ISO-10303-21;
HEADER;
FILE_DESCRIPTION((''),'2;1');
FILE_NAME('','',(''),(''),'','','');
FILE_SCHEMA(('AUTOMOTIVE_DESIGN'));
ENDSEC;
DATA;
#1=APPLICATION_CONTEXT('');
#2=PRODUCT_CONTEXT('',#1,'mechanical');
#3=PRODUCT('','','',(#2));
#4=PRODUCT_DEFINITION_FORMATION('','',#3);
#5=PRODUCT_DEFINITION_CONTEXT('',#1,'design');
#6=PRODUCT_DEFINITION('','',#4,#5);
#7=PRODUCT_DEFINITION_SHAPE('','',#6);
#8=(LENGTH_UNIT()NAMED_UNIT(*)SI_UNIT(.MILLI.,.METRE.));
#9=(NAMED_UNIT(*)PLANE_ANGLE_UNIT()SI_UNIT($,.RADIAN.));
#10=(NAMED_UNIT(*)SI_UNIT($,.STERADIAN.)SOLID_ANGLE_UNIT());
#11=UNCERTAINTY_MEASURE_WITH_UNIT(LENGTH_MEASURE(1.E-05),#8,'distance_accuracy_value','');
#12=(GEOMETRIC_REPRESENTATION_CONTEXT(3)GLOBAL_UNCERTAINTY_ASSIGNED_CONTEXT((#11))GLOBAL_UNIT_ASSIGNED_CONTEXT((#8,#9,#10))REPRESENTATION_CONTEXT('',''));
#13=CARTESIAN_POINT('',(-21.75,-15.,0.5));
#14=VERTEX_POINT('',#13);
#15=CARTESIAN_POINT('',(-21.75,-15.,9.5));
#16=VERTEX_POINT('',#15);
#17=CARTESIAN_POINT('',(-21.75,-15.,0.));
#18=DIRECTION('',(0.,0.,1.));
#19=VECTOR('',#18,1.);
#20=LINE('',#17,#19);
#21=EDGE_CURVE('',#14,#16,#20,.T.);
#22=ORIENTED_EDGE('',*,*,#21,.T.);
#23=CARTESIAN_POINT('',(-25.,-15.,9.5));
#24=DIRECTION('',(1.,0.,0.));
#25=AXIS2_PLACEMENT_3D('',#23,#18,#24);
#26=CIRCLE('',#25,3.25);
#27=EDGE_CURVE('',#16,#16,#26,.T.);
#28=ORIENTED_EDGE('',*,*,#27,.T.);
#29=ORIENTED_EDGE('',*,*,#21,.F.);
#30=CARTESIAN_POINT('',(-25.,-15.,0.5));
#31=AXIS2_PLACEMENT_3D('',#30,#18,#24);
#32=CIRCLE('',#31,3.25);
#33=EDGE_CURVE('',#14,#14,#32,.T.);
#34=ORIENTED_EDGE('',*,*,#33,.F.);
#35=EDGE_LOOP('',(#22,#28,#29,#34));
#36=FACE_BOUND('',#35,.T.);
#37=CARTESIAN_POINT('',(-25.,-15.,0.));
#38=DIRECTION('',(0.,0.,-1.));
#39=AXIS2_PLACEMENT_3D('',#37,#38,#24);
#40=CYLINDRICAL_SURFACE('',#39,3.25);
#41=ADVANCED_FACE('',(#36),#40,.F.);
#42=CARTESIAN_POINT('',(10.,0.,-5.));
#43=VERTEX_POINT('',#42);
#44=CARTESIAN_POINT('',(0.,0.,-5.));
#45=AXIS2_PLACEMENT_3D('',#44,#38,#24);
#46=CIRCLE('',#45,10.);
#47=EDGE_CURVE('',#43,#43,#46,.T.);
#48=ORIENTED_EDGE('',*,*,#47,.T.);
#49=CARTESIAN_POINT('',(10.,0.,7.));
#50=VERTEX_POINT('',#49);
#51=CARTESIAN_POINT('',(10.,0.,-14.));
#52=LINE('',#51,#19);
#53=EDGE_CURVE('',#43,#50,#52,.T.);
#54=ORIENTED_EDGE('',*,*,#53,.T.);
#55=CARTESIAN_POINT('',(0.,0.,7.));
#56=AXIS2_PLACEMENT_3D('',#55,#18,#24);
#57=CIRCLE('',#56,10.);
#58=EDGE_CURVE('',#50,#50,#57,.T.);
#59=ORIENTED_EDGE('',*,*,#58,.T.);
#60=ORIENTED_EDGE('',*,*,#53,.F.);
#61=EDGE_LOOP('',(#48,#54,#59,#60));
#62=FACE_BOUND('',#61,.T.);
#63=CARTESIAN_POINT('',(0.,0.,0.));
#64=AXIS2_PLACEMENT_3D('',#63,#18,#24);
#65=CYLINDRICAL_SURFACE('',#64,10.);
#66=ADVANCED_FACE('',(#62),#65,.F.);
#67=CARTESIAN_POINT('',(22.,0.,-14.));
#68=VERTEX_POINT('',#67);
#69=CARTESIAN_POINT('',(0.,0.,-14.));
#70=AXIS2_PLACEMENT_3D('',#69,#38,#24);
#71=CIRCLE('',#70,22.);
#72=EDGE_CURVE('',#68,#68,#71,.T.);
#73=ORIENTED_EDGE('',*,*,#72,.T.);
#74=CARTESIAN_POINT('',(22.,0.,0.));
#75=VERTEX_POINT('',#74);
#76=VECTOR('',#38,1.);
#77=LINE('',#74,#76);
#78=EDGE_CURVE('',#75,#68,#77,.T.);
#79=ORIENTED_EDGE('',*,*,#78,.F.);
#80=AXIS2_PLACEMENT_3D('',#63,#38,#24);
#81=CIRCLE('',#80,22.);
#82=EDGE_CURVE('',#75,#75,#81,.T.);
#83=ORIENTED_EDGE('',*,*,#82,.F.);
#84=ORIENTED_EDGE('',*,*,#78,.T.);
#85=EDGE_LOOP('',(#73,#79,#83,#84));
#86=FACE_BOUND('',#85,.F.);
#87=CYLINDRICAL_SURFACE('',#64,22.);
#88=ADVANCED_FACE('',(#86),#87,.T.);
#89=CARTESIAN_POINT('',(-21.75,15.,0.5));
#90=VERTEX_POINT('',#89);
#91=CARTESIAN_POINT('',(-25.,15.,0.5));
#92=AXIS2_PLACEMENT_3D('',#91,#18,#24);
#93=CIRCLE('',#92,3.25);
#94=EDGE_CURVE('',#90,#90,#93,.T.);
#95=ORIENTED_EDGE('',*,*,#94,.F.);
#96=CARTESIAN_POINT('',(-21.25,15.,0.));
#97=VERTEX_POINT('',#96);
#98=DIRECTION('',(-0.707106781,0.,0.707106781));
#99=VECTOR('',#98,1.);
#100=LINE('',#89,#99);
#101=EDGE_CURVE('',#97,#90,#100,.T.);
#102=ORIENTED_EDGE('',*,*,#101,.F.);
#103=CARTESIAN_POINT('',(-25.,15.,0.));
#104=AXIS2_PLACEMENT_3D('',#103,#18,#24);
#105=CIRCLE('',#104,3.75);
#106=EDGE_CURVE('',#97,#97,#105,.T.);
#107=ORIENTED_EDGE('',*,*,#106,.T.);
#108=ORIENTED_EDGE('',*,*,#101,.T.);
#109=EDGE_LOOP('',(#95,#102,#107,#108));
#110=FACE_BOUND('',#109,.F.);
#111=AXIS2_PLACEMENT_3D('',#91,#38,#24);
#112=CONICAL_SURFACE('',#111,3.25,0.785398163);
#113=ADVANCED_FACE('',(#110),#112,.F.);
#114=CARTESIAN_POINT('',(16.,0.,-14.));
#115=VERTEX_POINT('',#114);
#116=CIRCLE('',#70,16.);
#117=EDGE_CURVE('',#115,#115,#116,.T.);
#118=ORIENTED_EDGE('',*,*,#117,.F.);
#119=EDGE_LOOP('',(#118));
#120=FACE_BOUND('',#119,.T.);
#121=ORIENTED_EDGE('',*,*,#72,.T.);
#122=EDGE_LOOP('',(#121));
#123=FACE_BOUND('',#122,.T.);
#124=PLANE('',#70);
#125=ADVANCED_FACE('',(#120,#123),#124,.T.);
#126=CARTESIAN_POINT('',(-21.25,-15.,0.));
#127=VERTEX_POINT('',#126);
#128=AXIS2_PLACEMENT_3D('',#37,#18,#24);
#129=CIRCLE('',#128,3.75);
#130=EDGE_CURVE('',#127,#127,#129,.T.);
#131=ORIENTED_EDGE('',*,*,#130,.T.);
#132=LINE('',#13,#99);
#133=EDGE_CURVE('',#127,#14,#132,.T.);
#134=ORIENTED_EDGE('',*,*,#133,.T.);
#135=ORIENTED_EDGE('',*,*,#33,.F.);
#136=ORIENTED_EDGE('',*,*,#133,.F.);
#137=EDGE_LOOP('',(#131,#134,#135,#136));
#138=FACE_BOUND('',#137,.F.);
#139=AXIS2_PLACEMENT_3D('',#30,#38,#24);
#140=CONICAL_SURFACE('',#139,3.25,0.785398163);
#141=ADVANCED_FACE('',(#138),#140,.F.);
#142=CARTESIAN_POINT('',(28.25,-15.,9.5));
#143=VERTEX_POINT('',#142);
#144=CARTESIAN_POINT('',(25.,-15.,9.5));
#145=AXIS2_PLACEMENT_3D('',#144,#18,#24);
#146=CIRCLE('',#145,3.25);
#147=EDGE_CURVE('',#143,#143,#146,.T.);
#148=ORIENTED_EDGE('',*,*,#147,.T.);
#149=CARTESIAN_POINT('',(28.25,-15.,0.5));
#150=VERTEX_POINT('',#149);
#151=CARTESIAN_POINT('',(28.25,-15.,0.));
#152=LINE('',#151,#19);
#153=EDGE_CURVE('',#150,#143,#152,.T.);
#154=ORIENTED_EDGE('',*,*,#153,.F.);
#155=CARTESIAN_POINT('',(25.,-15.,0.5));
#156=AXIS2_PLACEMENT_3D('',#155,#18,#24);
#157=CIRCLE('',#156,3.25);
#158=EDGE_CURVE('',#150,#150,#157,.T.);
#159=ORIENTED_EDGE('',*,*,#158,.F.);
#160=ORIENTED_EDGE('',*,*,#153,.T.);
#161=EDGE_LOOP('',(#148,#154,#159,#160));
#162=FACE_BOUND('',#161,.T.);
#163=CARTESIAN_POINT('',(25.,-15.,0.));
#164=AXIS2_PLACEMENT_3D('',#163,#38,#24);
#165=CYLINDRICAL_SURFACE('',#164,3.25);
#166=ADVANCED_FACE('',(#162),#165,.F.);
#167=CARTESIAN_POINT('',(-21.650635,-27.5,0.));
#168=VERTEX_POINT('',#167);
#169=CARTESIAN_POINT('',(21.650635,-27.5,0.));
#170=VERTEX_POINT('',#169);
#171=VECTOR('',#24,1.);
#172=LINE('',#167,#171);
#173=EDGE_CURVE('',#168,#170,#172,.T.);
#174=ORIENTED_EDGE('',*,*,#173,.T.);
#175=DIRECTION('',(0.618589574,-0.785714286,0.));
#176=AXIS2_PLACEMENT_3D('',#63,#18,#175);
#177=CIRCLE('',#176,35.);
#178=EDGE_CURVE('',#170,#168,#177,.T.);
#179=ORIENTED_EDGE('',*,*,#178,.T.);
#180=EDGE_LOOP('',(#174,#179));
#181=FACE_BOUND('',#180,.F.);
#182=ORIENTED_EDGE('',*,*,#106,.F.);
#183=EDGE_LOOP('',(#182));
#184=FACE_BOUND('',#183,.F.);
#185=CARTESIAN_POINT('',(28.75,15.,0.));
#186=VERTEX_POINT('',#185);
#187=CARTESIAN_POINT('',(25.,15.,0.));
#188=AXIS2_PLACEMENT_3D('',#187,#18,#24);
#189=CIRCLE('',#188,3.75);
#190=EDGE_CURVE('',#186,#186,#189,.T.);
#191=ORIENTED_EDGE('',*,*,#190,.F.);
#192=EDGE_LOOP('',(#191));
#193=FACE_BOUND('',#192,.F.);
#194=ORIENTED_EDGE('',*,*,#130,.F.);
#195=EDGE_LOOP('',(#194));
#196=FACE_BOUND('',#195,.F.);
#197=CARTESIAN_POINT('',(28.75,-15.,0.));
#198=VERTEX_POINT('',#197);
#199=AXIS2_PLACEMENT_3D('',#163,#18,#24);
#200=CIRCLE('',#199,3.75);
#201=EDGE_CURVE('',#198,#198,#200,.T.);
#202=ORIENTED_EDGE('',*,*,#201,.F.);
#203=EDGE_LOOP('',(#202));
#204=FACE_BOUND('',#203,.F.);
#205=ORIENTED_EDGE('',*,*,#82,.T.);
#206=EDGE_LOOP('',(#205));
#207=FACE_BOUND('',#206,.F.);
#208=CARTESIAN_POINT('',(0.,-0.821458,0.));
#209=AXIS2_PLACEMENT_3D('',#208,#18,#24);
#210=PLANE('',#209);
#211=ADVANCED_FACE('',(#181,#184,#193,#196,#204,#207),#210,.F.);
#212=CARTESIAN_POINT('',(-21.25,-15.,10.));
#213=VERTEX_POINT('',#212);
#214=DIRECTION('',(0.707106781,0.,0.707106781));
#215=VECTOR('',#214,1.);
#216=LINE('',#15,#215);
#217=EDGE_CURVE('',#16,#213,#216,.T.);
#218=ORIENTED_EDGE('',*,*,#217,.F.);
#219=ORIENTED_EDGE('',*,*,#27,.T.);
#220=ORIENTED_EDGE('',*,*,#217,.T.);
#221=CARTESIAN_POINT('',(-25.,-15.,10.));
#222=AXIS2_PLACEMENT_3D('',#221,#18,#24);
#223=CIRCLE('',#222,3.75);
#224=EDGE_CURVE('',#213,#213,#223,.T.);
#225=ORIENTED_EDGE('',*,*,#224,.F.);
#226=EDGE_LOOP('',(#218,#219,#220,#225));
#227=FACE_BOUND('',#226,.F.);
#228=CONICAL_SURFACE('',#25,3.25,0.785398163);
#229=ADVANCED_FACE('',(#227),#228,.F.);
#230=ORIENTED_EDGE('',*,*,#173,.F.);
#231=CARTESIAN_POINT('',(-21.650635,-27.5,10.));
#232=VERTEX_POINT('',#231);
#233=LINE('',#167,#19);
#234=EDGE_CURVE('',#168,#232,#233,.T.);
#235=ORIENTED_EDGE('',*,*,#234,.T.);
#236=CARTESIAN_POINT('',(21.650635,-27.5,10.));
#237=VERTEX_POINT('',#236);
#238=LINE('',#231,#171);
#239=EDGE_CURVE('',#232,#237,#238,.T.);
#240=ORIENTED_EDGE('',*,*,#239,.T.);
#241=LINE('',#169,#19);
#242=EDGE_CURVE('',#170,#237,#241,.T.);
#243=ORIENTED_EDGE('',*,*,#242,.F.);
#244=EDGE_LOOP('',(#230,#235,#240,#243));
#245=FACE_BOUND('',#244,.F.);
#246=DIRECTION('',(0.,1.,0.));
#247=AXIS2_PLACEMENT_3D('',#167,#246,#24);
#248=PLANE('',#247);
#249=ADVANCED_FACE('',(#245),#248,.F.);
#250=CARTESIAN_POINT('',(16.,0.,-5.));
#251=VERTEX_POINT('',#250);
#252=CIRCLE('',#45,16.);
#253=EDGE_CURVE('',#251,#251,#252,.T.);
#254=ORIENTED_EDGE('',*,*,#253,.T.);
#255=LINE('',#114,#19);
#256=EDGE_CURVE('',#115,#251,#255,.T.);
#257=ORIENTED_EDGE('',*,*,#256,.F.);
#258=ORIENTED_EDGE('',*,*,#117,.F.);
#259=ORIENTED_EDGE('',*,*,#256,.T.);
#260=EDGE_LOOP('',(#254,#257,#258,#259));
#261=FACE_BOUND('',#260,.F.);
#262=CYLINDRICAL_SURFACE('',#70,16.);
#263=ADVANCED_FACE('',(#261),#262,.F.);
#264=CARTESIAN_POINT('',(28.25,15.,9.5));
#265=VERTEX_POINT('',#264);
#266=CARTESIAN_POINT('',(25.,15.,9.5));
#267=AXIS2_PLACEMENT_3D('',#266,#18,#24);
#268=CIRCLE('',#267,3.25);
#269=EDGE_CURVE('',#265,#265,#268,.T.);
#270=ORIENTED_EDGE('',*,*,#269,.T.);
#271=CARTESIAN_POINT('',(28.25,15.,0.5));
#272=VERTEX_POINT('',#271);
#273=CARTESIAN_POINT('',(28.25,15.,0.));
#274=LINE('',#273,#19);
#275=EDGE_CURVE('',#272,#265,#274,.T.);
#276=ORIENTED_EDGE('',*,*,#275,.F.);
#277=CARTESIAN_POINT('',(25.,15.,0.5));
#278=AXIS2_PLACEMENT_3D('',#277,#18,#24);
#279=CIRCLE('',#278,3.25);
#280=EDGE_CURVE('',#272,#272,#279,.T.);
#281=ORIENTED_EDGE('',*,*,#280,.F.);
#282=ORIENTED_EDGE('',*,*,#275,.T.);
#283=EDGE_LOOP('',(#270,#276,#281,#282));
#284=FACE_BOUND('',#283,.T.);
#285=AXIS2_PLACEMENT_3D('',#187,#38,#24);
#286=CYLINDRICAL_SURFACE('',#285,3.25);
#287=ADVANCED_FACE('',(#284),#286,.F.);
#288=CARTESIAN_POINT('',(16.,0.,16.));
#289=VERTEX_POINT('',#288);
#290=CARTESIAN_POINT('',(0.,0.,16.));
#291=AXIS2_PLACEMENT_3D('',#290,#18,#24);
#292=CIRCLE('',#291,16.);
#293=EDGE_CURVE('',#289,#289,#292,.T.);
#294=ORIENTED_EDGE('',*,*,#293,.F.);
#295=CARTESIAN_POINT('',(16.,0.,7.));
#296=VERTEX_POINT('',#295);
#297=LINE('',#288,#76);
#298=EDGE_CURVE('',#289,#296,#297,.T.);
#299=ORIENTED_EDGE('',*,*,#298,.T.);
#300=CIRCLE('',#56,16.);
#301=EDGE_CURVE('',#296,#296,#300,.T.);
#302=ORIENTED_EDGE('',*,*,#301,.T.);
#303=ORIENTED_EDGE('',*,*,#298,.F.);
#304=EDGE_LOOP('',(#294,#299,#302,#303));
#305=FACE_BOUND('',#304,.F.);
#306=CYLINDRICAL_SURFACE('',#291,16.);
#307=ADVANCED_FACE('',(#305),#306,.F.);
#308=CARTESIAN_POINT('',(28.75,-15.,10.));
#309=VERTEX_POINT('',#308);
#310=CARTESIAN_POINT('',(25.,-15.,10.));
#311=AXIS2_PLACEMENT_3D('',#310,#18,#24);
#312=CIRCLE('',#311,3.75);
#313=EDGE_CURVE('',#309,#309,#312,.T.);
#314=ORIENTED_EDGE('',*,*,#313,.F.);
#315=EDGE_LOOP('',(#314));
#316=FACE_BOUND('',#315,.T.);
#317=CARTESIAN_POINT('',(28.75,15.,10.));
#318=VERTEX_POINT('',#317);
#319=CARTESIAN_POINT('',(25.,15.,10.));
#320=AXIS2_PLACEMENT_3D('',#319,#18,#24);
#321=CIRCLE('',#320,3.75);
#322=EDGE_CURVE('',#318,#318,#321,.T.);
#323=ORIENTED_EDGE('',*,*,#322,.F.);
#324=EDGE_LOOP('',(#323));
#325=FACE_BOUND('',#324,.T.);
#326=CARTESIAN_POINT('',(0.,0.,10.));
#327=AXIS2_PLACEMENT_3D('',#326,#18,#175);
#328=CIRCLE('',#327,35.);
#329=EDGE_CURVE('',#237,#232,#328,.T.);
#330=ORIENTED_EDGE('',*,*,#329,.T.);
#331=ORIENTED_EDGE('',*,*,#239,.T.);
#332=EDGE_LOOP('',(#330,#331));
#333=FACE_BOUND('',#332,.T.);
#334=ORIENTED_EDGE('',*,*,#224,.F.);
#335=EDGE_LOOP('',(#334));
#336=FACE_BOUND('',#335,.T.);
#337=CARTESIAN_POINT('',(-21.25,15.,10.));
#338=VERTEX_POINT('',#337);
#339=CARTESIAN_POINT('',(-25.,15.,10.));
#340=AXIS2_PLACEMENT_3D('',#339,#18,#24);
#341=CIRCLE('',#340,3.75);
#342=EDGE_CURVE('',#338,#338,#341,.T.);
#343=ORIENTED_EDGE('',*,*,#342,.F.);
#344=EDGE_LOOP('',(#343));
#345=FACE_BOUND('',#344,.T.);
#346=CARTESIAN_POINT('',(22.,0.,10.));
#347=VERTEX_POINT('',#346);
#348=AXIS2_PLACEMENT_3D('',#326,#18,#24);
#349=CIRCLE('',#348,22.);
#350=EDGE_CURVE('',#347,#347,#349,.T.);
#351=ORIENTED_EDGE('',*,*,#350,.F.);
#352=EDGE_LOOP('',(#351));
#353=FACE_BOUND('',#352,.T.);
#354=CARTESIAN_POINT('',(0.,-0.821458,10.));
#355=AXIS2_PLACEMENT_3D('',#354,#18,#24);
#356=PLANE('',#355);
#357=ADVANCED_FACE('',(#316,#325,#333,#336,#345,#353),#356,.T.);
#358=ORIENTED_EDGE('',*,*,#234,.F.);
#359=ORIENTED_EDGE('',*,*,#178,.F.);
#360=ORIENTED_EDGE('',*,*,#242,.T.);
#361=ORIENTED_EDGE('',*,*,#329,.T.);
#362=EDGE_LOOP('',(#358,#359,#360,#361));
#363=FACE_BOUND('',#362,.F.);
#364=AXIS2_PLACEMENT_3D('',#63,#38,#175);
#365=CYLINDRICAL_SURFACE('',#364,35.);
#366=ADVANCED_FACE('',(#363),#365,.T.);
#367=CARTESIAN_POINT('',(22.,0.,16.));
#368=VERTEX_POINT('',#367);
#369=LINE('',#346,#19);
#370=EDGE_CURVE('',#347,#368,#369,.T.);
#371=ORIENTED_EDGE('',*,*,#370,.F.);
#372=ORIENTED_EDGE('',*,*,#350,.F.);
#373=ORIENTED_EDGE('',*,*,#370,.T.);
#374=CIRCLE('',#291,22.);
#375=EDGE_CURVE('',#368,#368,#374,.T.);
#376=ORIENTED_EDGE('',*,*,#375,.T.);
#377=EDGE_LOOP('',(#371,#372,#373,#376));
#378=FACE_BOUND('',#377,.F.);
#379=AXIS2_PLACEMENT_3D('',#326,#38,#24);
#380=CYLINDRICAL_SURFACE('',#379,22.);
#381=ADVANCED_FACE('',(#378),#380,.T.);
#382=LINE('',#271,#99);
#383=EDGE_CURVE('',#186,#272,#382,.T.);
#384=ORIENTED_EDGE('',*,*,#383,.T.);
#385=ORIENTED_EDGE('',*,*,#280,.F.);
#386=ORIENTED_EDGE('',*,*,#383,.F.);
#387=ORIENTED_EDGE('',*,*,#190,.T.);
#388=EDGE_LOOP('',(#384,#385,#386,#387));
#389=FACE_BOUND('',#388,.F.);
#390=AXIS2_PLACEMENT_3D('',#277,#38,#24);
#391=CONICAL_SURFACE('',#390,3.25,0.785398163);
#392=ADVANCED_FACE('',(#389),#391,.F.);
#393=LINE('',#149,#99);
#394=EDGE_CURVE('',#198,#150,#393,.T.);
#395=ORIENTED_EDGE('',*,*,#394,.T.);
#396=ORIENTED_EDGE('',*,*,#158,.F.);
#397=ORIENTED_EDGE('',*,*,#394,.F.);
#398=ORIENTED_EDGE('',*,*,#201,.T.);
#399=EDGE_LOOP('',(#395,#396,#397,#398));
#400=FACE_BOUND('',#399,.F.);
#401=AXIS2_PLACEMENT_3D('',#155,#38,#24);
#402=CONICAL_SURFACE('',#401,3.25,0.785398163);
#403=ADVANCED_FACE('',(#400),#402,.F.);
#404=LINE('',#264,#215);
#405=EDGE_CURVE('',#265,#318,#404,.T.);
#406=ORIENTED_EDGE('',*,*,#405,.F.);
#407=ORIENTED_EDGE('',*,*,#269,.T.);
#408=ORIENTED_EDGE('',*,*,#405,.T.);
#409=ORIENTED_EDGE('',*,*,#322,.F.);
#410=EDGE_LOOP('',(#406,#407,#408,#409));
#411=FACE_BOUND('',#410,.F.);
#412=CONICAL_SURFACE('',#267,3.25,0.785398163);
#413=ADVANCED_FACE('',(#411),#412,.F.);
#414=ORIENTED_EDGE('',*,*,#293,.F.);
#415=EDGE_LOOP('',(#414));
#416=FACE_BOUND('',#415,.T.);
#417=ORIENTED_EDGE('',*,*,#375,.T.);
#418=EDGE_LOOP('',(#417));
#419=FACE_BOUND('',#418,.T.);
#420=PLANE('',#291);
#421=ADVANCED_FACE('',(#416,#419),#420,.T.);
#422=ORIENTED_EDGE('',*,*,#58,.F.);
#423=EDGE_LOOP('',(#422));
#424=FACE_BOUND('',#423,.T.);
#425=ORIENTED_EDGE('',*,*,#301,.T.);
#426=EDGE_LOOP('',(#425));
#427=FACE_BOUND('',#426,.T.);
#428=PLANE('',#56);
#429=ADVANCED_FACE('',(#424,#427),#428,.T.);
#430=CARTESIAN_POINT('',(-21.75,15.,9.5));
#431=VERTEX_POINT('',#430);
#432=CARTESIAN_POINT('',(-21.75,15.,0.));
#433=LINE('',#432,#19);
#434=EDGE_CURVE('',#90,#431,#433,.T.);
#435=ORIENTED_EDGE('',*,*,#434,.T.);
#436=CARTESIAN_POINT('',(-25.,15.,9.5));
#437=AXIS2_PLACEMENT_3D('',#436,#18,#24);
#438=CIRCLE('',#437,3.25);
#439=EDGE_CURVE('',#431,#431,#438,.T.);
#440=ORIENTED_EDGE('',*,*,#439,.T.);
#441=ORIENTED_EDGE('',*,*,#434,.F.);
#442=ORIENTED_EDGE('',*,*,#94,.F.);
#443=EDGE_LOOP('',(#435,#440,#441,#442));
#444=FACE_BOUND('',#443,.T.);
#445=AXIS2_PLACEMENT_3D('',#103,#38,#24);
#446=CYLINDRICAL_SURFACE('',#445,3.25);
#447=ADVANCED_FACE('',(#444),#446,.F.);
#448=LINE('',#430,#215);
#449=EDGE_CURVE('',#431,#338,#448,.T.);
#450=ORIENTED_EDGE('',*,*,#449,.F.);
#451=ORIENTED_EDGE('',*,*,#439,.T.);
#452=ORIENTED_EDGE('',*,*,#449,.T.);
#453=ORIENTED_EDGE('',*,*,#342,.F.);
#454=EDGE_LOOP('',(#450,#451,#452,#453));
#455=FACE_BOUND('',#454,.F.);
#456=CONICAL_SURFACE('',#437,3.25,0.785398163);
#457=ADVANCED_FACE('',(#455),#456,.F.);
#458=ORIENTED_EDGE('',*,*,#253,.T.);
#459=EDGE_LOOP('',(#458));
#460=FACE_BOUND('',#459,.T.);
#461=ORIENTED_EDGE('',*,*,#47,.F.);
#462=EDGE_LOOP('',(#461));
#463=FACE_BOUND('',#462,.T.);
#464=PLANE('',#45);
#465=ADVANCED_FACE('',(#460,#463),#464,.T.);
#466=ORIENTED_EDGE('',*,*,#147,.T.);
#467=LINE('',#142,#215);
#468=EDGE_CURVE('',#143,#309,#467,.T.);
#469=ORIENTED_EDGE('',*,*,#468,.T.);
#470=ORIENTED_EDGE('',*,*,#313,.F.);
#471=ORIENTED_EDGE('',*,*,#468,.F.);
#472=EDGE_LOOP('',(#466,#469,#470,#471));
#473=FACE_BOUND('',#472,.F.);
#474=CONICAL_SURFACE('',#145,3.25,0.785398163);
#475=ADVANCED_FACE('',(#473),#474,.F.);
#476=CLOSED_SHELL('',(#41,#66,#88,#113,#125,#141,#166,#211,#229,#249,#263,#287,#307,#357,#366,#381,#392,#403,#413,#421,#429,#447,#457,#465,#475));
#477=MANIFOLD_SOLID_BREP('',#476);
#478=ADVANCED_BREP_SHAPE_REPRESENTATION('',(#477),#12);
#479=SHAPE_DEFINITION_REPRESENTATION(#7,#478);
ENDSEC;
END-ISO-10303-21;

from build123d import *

# Parameters (mm, degrees)
F0_R     = 3.25
F0_R_2   = 10
F1_DEPTH = 10
F2_R     = 22
F2_R_2   = 10
F3_DEPTH = 6
F4_R     = 16
F4_R_2   = 10
F5_DEPTH = 9
F6_R     = 22
F6_R_2   = 10
F7_DEPTH = 14
F8_R     = 16
F8_R_2   = 10
F9_DEPTH = 9
F10_SIZE = 0.5


with BuildPart() as f1:
    # F0 (on Top) → F1 (new body)
    with BuildSketch(Plane.XY):
        with BuildLine():
            Line((-21.6506350946, -27.5), (21.6506350946, -27.5))
            ThreePointArc((21.6506350946, -27.5), (0, 35), (-21.6506350946, -27.5))
        make_face()
        with Locations((-25, -15)):
            Circle(F0_R, mode=Mode.SUBTRACT)
        with Locations((25, -15)):
            Circle(F0_R, mode=Mode.SUBTRACT)
        Circle(F0_R_2, mode=Mode.SUBTRACT)
        with Locations((-25, 15)):
            Circle(F0_R, mode=Mode.SUBTRACT)
        with Locations((25, 15)):
            Circle(F0_R, mode=Mode.SUBTRACT)
    extrude(amount=F1_DEPTH)

    # F2 (on face) → F3 (join)
    with BuildSketch(Plane.XY.offset(10)):
        Circle(F2_R)
        Circle(F2_R_2, mode=Mode.SUBTRACT)
    extrude(amount=F3_DEPTH)

    # F4 (on face) → F5 (cut)
    with BuildSketch(Plane.XY.offset(16)):
        Circle(F4_R)
        Circle(F4_R_2, mode=Mode.SUBTRACT)
    extrude(amount=-F5_DEPTH, mode=Mode.SUBTRACT)

    # F6 (on face) → F7 (join)
    with BuildSketch(Plane(origin=(0, 0, 0), x_dir=(1, 0, 0), z_dir=(0, 0, -1))):
        Circle(F6_R)
        Circle(F6_R_2, mode=Mode.SUBTRACT)
    extrude(amount=F7_DEPTH)

    # F8 (on face) → F9 (cut)
    with BuildSketch(Plane(origin=(0, 0, -14), x_dir=(1, 0, 0), z_dir=(0, 0, -1))):
        Circle(F8_R)
        Circle(F8_R_2, mode=Mode.SUBTRACT)
    extrude(amount=-F9_DEPTH, mode=Mode.SUBTRACT)

    # F10
    f10_edges = [f1.edges().sort_by_distance(p)[0] for p in [
        (-28.25, -15, 10),
        (-28.25, 15, 10),
        (21.75, 15, 10),
        (21.75, -15, 10),
        (21.75, 15, 0),
        (21.75, -15, 0),
        (-28.25, 15, 0),
        (-28.25, -15, 0),
    ]]
    chamfer(f10_edges, length=F10_SIZE)


solid = f1.part
